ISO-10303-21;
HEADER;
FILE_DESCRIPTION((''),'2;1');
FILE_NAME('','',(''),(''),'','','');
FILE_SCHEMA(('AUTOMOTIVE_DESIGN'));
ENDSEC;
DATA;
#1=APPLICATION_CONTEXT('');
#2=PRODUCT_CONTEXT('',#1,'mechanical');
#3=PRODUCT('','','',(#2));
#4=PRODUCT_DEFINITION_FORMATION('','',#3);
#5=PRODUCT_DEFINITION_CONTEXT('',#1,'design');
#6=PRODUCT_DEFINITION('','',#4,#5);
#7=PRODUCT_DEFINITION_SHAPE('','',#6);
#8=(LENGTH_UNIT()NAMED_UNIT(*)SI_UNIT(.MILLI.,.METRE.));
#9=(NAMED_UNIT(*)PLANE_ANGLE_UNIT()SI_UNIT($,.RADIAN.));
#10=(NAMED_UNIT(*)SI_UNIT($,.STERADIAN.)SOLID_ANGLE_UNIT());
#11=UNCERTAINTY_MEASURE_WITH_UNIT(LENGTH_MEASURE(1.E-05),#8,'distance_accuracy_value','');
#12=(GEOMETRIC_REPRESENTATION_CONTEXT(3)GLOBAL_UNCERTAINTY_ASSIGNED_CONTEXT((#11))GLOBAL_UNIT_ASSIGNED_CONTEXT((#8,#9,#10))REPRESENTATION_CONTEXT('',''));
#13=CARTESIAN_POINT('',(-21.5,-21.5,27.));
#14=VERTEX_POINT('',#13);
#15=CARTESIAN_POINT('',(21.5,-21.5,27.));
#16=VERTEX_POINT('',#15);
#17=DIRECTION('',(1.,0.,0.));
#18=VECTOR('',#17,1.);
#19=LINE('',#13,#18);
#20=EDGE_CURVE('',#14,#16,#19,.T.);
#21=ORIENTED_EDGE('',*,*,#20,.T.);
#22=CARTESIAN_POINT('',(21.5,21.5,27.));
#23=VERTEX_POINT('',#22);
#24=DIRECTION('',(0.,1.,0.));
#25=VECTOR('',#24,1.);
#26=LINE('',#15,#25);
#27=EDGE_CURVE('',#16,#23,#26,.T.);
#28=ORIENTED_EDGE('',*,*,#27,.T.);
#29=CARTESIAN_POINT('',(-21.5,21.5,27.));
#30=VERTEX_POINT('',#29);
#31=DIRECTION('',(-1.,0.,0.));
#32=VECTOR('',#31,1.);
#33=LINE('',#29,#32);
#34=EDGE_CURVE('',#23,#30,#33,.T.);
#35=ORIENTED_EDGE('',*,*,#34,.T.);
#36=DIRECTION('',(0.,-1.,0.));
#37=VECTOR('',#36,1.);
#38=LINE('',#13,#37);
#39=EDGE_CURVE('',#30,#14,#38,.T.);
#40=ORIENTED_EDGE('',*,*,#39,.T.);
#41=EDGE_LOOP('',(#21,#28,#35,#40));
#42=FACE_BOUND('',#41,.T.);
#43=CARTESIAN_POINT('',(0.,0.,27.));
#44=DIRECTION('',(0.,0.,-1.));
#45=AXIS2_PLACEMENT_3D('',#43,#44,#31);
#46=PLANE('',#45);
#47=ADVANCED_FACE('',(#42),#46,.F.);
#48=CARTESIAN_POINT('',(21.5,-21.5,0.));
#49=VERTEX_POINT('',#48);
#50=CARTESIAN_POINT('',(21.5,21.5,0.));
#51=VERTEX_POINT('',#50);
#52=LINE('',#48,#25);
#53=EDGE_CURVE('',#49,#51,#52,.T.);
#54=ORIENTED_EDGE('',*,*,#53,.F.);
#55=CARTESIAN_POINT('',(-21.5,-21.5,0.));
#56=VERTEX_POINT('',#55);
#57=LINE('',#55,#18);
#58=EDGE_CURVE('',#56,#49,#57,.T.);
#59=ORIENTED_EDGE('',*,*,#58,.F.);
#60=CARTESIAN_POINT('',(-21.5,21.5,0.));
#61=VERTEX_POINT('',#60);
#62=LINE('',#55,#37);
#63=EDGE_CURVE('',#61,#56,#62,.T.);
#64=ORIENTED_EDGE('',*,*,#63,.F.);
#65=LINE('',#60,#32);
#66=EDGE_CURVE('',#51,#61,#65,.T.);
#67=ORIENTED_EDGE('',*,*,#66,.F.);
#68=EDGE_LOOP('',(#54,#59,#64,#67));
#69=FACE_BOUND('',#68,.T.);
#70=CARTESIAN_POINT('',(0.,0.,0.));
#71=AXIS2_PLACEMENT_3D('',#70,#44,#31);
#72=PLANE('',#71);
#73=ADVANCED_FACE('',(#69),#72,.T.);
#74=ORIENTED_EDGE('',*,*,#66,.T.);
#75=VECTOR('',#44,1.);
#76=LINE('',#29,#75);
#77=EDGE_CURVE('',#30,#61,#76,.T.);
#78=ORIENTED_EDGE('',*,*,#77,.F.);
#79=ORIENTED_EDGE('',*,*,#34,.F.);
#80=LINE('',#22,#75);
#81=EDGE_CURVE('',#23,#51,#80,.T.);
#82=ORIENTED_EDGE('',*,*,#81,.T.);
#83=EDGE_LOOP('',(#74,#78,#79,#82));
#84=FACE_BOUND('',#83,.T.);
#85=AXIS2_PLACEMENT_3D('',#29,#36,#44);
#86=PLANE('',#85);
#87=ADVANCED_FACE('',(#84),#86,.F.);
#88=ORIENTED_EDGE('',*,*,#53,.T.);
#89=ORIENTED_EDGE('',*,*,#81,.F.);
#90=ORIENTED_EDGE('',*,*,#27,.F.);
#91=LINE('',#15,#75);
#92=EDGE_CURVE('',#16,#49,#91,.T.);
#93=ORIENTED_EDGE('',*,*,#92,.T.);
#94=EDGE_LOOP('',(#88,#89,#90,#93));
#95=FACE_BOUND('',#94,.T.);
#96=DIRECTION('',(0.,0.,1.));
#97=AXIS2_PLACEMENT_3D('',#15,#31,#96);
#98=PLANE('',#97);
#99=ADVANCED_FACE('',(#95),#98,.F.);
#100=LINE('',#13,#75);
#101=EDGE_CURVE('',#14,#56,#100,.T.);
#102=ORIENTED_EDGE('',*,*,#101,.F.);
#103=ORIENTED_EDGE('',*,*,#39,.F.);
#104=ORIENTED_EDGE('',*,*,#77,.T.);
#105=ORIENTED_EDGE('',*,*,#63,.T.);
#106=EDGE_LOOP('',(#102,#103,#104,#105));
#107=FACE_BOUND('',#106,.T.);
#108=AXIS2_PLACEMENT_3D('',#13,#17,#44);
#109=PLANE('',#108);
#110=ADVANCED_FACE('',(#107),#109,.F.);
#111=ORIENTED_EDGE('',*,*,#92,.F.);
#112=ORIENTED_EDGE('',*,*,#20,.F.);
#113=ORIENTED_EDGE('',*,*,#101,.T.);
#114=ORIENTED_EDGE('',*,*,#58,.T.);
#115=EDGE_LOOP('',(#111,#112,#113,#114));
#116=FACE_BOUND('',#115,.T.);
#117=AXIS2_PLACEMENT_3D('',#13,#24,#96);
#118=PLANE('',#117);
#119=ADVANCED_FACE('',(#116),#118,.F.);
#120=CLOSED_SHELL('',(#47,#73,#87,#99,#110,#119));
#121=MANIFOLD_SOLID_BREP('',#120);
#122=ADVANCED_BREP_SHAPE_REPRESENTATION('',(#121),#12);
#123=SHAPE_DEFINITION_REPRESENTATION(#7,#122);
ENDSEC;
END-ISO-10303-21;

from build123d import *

# Parameters (mm, degrees)
SKETCH1_W           = 43
SKETCH1_H           = 43
BOSS_EXTRUDE1_DEPTH = 27


with BuildPart() as part:
    # Sketch1 → Boss-Extrude1 (new body)
    with BuildSketch(Plane.XY):
        Rectangle(SKETCH1_W, SKETCH1_H)
    extrude(amount=BOSS_EXTRUDE1_DEPTH)


solid = part.part
